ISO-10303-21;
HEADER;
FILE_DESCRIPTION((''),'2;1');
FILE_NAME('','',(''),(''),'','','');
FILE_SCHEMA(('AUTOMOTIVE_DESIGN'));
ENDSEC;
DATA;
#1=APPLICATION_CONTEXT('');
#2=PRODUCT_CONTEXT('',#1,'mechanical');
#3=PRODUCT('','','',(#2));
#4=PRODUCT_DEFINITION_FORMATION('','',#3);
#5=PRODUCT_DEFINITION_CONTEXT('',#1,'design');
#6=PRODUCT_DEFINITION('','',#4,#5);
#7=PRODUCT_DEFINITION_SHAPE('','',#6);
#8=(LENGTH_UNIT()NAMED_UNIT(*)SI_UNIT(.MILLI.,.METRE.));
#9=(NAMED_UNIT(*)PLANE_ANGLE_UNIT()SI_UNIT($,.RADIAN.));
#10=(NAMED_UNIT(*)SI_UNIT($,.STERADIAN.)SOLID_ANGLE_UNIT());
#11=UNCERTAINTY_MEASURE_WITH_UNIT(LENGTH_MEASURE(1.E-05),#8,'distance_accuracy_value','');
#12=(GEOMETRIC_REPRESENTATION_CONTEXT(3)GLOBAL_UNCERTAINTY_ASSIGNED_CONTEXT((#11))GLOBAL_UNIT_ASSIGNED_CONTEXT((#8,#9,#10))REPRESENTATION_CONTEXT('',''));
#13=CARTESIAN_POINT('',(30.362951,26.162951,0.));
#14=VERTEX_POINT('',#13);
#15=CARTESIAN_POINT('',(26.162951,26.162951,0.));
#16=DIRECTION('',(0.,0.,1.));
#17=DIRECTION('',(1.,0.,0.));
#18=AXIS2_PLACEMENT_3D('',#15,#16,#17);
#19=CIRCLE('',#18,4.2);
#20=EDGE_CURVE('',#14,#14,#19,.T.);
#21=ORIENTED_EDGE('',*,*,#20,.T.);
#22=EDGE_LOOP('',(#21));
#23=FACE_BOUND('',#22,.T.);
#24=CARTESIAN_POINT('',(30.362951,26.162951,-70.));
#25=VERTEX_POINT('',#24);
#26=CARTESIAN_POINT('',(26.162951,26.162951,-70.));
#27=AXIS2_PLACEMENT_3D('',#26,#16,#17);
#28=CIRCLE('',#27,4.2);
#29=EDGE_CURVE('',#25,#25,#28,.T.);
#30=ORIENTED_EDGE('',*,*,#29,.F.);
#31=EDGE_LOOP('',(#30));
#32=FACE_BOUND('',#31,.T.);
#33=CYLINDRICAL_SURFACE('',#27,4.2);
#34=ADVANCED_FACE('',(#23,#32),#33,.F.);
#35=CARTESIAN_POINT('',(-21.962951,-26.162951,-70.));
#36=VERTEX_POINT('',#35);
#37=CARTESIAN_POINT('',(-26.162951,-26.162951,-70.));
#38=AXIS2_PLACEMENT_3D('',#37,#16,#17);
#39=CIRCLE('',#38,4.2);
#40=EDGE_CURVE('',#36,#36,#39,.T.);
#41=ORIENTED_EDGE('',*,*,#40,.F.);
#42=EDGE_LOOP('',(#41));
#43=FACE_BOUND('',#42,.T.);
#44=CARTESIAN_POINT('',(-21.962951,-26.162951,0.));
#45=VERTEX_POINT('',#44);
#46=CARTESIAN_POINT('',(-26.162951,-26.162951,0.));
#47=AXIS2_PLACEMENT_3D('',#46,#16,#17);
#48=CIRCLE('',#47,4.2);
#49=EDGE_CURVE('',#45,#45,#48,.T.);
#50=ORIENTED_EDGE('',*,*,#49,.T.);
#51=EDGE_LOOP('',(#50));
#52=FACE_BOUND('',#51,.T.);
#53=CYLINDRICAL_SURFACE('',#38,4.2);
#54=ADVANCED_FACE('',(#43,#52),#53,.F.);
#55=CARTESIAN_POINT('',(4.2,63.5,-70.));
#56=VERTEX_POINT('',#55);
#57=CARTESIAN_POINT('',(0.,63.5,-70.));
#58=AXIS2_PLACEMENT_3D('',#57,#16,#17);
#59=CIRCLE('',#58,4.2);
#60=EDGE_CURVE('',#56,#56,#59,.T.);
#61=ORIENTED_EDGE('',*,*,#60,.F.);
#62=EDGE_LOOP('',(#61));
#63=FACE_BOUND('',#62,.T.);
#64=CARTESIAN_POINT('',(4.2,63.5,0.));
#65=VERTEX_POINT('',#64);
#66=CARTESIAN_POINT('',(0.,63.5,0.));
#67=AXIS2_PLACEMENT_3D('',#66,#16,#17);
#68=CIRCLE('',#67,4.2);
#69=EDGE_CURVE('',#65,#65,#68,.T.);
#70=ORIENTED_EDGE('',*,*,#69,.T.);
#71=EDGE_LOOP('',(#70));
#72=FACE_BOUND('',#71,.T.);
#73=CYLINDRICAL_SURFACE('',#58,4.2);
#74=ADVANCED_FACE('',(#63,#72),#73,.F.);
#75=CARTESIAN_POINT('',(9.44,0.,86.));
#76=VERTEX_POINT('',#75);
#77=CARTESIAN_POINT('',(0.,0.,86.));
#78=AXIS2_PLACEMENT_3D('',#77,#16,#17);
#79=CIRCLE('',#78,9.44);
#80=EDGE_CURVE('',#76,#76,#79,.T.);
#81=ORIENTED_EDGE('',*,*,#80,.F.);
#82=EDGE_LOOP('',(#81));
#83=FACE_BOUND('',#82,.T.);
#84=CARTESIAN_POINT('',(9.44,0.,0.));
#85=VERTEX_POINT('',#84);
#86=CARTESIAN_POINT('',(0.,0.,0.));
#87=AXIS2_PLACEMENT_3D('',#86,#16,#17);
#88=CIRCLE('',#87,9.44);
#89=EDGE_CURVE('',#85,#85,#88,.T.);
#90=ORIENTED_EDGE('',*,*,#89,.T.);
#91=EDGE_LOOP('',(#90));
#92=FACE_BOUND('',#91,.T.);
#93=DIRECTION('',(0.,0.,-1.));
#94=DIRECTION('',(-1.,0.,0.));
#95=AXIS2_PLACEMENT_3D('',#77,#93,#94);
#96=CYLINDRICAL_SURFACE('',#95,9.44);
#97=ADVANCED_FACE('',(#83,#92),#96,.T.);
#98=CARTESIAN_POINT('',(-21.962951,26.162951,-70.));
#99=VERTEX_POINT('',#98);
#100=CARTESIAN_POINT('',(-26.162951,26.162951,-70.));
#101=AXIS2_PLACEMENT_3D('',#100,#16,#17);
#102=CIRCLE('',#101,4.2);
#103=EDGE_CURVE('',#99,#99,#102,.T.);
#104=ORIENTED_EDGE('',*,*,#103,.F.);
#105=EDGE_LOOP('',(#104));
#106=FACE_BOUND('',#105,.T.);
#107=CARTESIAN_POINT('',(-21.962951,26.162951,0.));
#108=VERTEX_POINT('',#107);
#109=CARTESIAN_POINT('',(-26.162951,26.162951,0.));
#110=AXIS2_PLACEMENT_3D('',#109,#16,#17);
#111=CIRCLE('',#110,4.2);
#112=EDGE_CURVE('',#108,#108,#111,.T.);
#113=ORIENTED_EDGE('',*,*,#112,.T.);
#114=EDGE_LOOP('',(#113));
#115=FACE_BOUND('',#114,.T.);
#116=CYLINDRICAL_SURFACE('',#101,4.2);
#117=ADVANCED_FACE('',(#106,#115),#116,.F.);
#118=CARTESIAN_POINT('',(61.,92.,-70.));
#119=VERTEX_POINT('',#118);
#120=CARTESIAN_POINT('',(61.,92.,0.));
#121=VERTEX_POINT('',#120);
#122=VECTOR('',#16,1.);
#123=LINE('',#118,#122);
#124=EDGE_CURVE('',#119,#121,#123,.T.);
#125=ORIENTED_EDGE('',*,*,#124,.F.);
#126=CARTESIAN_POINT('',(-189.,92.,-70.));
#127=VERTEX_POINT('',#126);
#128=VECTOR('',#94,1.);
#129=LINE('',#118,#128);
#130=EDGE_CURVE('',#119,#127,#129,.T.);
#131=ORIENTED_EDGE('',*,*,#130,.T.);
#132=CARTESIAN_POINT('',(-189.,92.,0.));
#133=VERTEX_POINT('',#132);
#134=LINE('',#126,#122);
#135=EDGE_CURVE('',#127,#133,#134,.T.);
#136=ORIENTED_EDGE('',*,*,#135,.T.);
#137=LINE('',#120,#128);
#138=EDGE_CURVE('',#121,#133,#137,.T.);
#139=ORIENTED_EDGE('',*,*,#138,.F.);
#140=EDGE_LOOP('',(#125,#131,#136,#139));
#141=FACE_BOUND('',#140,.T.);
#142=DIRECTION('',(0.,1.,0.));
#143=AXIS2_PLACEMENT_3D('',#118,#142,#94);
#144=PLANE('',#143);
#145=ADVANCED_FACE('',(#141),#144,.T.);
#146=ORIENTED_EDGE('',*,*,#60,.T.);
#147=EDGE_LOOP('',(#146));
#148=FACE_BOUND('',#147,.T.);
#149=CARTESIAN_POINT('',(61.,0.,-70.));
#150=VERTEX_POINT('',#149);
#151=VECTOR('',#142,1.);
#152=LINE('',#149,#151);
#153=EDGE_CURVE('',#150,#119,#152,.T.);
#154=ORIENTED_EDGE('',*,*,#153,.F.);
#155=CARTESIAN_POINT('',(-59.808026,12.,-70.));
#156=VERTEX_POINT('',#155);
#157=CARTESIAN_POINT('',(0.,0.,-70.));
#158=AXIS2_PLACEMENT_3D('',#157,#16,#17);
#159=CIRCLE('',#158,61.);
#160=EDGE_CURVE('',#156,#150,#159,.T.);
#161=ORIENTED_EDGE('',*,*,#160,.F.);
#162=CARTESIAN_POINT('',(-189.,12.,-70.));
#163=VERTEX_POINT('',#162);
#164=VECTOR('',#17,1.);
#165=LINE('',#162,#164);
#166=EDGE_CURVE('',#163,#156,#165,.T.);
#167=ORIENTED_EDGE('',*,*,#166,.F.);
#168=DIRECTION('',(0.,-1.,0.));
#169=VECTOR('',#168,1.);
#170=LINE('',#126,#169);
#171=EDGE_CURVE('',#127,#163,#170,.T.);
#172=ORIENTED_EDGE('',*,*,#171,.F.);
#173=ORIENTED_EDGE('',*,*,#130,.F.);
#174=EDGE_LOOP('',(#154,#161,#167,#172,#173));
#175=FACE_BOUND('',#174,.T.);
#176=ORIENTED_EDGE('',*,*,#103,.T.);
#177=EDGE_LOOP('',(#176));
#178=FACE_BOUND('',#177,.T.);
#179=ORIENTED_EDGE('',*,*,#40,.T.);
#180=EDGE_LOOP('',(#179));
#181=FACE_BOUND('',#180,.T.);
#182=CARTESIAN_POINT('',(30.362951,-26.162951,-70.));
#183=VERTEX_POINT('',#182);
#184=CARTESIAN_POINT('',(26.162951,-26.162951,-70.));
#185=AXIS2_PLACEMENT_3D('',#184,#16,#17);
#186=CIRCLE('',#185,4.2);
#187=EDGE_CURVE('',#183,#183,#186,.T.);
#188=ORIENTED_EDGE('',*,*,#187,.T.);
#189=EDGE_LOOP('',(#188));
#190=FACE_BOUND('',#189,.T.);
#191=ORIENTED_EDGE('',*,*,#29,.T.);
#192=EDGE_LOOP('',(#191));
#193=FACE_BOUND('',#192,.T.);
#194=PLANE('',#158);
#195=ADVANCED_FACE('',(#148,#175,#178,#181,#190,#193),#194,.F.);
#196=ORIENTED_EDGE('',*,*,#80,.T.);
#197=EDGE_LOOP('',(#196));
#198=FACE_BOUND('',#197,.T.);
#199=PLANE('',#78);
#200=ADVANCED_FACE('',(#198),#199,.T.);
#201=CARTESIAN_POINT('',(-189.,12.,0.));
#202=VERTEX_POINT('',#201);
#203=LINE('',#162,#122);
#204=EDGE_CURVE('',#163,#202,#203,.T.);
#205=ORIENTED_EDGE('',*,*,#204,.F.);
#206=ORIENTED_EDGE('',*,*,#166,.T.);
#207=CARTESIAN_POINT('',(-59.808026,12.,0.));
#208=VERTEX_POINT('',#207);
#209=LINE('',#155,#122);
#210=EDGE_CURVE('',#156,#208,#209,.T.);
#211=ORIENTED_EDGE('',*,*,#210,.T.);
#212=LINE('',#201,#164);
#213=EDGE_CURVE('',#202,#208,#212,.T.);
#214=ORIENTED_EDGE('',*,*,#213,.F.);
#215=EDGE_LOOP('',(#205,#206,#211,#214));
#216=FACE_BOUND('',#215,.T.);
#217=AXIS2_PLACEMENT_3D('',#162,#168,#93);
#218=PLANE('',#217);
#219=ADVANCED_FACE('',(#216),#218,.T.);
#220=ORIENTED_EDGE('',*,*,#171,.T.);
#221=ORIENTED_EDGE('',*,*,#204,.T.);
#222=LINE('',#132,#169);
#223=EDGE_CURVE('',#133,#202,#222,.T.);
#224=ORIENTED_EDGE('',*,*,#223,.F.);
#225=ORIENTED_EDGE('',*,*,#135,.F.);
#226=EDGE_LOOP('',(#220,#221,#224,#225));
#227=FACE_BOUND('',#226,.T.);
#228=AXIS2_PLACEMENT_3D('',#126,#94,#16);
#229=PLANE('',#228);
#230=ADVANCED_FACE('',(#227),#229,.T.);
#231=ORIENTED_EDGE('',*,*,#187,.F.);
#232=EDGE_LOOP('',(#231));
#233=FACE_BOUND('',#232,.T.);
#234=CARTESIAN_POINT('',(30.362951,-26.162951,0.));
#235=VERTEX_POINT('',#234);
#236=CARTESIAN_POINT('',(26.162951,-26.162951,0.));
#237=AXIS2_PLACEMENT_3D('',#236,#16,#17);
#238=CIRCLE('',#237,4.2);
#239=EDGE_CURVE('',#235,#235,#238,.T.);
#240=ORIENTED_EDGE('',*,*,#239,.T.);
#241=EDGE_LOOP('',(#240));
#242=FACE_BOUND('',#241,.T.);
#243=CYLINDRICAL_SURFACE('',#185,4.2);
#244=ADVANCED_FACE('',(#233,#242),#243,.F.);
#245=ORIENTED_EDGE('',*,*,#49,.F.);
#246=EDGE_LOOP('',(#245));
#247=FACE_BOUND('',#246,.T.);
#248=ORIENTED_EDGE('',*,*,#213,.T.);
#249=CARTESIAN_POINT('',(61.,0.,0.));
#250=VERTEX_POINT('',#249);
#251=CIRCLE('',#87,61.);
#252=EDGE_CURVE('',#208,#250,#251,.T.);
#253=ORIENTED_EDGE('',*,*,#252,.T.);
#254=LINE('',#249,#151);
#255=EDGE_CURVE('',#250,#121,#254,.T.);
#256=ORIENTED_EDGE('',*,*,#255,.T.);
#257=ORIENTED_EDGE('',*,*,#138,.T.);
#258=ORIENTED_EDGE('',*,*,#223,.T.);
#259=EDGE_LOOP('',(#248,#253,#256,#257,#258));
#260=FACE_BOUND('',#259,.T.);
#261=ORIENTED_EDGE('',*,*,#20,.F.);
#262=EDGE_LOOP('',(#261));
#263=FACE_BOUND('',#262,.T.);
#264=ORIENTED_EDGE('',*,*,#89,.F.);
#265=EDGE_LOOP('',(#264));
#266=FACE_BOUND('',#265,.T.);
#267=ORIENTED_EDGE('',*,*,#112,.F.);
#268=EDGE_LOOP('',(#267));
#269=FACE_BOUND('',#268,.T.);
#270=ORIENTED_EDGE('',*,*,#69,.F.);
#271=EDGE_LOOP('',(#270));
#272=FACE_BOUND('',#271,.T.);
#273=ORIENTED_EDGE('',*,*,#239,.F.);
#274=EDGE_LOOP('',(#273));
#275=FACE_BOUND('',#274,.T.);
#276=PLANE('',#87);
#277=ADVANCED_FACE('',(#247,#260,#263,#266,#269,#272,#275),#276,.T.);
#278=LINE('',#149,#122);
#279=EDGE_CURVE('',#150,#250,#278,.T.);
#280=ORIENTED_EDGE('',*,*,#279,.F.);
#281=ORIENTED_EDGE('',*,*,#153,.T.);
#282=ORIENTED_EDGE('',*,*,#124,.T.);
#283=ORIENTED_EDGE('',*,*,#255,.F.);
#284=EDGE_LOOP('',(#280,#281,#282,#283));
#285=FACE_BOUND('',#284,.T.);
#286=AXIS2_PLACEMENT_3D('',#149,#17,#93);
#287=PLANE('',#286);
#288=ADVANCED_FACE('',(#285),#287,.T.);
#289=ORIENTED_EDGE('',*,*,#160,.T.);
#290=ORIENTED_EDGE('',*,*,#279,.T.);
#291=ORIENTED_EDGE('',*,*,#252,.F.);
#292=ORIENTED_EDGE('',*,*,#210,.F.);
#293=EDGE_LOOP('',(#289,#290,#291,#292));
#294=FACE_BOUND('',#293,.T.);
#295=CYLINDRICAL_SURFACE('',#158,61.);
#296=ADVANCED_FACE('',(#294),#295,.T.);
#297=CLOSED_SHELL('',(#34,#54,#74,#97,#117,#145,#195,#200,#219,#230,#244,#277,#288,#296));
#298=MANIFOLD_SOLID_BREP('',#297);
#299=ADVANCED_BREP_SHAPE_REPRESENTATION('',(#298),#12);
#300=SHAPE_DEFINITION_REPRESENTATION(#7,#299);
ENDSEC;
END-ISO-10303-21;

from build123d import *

# Parameters (mm, degrees)
SKETCH1_R           = 4.2
BOSS_EXTRUDE1_DEPTH = 70
SKETCH2_R           = 9.44
BOSS_EXTRUDE2_DEPTH = 86


with BuildPart() as part:
    # Sketch1 → Boss-Extrude1 (new body)
    with BuildSketch(Plane.XY):
        with BuildLine():
            Line((61, 0), (61, 92))
            Line((61, 92), (-189, 92))
            Line((-189, 92), (-189, 12))
            Line((-189, 12), (-59.808026217, 12))
            ThreePointArc((-59.808026217, 12), (-6.029527376, -60.701275107), (61, 0))
        make_face()
        with Locations((26.162950904, 26.162950904)):
            Circle(SKETCH1_R, mode=Mode.SUBTRACT)
        with Locations((26.162950904, -26.162950904)):
            Circle(SKETCH1_R, mode=Mode.SUBTRACT)
        with Locations((-26.162950904, -26.162950904)):
            Circle(SKETCH1_R, mode=Mode.SUBTRACT)
        with Locations((-26.162950904, 26.162950904)):
            Circle(SKETCH1_R, mode=Mode.SUBTRACT)
        with Locations((0, 63.5)):
            Circle(SKETCH1_R, mode=Mode.SUBTRACT)
    extrude(amount=-BOSS_EXTRUDE1_DEPTH)

    # Sketch2 → Boss-Extrude2 (add)
    with BuildSketch(Plane.XY):
        Circle(SKETCH2_R)
    extrude(amount=BOSS_EXTRUDE2_DEPTH)


solid = part.part
